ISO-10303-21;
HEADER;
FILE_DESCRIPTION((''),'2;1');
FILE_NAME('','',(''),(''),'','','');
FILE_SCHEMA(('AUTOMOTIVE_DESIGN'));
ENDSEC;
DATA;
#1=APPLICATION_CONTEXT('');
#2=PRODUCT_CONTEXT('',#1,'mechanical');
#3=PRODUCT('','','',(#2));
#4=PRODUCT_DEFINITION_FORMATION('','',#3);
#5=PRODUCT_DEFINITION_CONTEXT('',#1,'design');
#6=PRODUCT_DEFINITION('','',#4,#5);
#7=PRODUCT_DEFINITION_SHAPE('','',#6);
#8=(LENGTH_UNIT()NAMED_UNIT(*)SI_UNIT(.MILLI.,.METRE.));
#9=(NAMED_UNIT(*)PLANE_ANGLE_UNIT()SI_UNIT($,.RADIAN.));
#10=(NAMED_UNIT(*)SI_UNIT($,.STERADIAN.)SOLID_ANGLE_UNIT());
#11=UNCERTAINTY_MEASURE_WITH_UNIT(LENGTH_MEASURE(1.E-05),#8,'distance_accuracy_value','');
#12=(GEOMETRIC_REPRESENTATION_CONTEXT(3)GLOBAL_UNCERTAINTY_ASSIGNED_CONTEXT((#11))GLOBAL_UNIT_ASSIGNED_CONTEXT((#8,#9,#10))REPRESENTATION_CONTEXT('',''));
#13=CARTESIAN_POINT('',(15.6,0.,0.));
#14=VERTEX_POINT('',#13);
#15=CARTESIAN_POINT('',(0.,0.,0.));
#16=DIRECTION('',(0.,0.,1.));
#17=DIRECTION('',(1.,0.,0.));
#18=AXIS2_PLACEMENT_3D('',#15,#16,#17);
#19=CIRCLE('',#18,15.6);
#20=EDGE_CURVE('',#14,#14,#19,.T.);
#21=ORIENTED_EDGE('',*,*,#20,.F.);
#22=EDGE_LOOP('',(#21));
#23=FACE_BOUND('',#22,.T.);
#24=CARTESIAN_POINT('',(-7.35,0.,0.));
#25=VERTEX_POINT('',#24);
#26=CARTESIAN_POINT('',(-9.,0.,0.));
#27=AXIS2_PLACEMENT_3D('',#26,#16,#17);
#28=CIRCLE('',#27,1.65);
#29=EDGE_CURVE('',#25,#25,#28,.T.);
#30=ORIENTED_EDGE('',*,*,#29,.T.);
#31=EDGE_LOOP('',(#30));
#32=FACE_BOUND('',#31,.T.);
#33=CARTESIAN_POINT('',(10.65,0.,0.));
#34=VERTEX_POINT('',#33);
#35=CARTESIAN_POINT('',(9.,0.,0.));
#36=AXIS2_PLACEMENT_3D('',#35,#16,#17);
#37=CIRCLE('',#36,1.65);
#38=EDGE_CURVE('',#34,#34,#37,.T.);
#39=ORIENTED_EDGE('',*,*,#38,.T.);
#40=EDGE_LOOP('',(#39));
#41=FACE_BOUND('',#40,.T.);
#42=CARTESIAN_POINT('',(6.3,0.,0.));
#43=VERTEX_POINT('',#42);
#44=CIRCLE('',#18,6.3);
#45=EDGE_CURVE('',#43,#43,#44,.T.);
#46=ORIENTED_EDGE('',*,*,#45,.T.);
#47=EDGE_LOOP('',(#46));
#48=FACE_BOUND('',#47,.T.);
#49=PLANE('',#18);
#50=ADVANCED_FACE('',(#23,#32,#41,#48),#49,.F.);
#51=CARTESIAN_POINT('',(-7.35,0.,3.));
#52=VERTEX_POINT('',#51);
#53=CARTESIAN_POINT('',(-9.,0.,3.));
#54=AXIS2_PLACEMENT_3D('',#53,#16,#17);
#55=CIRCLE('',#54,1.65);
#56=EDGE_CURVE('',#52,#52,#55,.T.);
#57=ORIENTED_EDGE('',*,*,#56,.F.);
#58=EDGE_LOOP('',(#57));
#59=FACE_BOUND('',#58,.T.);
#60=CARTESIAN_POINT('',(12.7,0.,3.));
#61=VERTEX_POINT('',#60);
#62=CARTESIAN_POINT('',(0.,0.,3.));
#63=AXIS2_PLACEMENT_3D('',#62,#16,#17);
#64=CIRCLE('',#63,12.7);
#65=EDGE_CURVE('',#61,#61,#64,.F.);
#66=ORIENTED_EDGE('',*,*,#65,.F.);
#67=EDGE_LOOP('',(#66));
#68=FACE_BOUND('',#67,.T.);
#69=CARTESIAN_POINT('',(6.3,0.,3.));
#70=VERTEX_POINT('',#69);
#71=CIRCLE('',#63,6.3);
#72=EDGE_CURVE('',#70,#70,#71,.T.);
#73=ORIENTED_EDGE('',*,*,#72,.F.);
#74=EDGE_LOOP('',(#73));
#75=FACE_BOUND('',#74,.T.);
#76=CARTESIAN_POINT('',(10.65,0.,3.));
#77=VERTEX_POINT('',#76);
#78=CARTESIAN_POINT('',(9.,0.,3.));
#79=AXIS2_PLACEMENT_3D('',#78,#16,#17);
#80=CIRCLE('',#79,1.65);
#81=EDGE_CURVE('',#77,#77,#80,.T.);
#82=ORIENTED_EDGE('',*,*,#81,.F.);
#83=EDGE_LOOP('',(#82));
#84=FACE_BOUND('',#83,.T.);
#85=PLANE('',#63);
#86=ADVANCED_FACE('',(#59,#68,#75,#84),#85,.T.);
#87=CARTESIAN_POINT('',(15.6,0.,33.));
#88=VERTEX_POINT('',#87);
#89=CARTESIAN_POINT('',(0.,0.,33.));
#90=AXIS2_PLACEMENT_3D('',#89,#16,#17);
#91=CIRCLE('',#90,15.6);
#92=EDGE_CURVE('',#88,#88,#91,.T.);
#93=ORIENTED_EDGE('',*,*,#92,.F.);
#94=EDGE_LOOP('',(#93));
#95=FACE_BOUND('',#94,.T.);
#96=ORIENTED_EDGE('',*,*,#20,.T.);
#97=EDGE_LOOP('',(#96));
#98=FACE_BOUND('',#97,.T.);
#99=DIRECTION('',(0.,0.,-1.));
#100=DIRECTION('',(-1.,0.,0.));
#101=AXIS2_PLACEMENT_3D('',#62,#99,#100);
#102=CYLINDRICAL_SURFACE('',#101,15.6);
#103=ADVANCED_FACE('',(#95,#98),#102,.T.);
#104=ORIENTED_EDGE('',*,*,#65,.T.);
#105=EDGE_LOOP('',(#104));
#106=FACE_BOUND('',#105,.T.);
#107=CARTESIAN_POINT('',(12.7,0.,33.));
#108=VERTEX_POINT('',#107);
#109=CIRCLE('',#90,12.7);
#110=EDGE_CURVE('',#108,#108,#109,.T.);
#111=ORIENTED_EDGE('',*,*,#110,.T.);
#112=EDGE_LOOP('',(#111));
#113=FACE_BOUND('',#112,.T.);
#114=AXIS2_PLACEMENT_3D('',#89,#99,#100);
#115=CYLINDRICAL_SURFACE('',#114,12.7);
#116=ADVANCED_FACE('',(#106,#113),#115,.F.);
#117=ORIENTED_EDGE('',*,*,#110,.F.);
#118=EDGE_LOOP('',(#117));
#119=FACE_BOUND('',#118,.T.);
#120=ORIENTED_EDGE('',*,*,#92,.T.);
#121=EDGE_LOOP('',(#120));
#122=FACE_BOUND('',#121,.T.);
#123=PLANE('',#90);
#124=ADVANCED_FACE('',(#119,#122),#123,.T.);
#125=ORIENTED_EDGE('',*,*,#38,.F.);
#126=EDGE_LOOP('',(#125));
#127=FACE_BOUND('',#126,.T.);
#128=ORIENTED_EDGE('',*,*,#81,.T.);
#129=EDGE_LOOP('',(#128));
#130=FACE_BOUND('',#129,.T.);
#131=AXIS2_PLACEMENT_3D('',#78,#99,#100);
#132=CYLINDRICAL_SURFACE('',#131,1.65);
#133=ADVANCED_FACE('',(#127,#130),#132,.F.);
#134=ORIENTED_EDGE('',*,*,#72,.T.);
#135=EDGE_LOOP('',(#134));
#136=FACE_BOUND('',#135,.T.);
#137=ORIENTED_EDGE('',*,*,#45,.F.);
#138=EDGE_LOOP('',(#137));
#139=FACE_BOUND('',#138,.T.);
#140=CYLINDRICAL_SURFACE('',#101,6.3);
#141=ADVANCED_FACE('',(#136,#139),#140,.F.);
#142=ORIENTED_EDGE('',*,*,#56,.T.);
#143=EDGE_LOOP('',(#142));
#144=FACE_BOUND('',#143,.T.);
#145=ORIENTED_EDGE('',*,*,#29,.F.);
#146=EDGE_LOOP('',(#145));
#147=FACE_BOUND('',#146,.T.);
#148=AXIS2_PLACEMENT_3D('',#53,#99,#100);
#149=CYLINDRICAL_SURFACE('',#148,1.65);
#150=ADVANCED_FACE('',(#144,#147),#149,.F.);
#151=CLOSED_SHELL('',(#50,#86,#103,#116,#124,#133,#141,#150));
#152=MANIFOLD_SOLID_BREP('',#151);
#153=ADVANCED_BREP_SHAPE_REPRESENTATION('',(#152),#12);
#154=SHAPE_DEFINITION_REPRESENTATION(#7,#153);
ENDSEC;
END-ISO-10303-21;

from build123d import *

# Parameters (mm, degrees)
SKETCH_1_R      = 15.6
SKETCH_1_R_2    = 12.6
SKETCH_1_R_3    = 6.3
SKETCH_1_R_4    = 1.65
EXTRUDE_1_DEPTH = 3
SKETCH_2_R      = 15.6
SKETCH_2_R_2    = 12.7
EXTRUDE_2_DEPTH = 30


with BuildPart() as part:
    # 草图1 → 凸台-拉伸1 (new body)
    # profile 1 of 2: a face of its own
    with BuildSketch(Plane.XY):
        Circle(SKETCH_1_R)
        Circle(SKETCH_1_R_2, mode=Mode.SUBTRACT)
    # profile 2 of 2: a face of its own
    with BuildSketch(Plane.XY):
        Circle(SKETCH_1_R_2)
        Circle(SKETCH_1_R_3, mode=Mode.SUBTRACT)
        with Locations((-9, 0)):
            Circle(SKETCH_1_R_4, mode=Mode.SUBTRACT)
        with Locations((9, 0)):
            Circle(SKETCH_1_R_4, mode=Mode.SUBTRACT)
    extrude(amount=EXTRUDE_1_DEPTH)

    # 草图2 → 凸台-拉伸2 (add)
    with BuildSketch(Plane.XY.offset(3)):
        Circle(SKETCH_2_R)
        Circle(SKETCH_2_R_2, mode=Mode.SUBTRACT)
    extrude(amount=EXTRUDE_2_DEPTH)


solid = part.part
